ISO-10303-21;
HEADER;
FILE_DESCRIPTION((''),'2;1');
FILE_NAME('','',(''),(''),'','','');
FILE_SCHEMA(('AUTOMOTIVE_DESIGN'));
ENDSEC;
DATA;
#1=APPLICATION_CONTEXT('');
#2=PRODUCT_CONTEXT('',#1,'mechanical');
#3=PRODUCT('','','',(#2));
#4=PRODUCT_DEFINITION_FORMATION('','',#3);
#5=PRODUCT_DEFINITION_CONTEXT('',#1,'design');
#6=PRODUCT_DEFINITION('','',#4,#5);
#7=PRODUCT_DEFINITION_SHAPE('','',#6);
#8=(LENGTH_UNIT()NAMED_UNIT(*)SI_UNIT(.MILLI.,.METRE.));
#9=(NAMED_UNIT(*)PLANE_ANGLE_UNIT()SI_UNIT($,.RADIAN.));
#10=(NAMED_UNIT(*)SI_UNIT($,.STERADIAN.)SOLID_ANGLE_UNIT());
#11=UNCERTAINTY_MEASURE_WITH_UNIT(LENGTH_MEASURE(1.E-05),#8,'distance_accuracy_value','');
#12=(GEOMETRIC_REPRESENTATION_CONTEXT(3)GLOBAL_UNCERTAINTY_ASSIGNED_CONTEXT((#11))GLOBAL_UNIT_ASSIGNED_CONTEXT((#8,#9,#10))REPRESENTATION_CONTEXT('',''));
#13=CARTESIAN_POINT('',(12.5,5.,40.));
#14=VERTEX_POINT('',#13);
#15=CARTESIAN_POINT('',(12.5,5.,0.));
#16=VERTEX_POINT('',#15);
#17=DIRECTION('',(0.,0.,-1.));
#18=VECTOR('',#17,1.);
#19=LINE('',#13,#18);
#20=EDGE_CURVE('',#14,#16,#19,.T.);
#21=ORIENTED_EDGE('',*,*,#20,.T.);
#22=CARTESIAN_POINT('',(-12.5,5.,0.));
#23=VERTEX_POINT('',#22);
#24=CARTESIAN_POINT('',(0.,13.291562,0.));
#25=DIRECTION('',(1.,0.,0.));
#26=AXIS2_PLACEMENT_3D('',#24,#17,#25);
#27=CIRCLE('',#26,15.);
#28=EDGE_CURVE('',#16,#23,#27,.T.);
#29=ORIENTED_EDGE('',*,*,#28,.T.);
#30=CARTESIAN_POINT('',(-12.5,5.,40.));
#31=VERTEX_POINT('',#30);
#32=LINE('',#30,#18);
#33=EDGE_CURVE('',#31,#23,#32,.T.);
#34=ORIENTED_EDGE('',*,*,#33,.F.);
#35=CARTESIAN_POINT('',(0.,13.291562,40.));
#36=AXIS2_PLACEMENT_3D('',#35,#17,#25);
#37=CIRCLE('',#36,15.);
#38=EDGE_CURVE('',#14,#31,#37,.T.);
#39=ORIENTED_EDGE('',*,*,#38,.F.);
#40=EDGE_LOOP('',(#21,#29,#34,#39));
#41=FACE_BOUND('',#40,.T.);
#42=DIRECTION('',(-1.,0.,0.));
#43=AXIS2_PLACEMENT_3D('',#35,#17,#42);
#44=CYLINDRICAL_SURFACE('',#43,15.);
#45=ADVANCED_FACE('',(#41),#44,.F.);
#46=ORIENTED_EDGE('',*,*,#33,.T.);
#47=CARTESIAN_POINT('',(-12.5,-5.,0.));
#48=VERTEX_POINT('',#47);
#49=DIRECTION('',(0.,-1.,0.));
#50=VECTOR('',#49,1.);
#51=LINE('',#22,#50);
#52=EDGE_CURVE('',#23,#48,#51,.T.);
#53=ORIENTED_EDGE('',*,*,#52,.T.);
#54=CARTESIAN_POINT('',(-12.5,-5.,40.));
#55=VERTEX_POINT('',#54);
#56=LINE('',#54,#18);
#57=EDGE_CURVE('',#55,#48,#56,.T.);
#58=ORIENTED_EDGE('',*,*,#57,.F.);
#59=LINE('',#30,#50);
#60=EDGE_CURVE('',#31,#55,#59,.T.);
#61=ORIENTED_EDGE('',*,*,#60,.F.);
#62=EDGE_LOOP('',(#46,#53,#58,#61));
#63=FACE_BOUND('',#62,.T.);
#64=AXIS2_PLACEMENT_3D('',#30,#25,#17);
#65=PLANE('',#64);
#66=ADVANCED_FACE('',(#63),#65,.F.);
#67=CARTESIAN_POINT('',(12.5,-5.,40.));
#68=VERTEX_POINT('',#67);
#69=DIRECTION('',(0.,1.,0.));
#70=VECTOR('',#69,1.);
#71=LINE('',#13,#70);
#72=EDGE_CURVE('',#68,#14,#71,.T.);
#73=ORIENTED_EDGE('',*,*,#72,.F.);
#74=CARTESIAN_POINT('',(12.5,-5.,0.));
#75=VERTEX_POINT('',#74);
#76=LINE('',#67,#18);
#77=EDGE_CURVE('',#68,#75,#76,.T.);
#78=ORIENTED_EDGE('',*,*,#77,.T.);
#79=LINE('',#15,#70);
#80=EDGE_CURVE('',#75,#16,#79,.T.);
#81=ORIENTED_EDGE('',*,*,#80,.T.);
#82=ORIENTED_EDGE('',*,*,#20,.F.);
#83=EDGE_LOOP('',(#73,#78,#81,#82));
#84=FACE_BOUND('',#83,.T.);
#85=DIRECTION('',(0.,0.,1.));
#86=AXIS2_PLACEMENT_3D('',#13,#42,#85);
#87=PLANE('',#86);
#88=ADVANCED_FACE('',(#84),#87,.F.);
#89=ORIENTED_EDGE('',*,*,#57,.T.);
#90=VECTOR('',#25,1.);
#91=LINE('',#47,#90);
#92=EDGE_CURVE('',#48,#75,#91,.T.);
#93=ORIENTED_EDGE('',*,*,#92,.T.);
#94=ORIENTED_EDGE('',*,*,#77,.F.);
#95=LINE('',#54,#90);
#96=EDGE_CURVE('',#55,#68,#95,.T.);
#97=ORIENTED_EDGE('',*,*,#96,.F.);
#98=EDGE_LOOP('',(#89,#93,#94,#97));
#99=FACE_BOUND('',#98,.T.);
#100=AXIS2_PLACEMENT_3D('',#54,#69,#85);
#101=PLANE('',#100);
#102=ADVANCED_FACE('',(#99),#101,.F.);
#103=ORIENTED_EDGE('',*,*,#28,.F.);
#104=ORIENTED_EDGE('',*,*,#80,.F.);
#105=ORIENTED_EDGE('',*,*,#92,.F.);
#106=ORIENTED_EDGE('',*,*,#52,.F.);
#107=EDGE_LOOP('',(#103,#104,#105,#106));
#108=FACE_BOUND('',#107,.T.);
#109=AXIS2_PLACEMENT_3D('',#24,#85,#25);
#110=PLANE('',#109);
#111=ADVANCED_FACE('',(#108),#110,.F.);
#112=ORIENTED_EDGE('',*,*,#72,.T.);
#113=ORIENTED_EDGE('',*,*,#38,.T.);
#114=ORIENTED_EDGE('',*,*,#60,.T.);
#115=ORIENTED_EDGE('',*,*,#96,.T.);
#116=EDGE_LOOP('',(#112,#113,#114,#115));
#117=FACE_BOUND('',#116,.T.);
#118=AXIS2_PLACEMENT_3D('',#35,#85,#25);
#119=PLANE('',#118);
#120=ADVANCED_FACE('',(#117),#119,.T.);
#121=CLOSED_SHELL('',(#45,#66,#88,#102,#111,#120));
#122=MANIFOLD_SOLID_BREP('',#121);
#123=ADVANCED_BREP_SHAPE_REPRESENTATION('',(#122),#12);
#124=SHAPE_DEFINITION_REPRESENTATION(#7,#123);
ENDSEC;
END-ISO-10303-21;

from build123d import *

# Parameters (mm, degrees)
BOSS_EXTRUDE1_DEPTH = 40


with BuildPart() as part:
    # Sketch1 → Boss-Extrude1 (new body)
    with BuildSketch(Plane.XY):
        with BuildLine():
            Line((-12.5, 5), (-12.5, -5))
            Line((-12.5, -5), (12.5, -5))
            Line((12.5, -5), (12.5, 5))
            ThreePointArc((12.5, 5), (0, -1.708438024), (-12.5, 5))
        make_face()
    extrude(amount=BOSS_EXTRUDE1_DEPTH)


solid = part.part
